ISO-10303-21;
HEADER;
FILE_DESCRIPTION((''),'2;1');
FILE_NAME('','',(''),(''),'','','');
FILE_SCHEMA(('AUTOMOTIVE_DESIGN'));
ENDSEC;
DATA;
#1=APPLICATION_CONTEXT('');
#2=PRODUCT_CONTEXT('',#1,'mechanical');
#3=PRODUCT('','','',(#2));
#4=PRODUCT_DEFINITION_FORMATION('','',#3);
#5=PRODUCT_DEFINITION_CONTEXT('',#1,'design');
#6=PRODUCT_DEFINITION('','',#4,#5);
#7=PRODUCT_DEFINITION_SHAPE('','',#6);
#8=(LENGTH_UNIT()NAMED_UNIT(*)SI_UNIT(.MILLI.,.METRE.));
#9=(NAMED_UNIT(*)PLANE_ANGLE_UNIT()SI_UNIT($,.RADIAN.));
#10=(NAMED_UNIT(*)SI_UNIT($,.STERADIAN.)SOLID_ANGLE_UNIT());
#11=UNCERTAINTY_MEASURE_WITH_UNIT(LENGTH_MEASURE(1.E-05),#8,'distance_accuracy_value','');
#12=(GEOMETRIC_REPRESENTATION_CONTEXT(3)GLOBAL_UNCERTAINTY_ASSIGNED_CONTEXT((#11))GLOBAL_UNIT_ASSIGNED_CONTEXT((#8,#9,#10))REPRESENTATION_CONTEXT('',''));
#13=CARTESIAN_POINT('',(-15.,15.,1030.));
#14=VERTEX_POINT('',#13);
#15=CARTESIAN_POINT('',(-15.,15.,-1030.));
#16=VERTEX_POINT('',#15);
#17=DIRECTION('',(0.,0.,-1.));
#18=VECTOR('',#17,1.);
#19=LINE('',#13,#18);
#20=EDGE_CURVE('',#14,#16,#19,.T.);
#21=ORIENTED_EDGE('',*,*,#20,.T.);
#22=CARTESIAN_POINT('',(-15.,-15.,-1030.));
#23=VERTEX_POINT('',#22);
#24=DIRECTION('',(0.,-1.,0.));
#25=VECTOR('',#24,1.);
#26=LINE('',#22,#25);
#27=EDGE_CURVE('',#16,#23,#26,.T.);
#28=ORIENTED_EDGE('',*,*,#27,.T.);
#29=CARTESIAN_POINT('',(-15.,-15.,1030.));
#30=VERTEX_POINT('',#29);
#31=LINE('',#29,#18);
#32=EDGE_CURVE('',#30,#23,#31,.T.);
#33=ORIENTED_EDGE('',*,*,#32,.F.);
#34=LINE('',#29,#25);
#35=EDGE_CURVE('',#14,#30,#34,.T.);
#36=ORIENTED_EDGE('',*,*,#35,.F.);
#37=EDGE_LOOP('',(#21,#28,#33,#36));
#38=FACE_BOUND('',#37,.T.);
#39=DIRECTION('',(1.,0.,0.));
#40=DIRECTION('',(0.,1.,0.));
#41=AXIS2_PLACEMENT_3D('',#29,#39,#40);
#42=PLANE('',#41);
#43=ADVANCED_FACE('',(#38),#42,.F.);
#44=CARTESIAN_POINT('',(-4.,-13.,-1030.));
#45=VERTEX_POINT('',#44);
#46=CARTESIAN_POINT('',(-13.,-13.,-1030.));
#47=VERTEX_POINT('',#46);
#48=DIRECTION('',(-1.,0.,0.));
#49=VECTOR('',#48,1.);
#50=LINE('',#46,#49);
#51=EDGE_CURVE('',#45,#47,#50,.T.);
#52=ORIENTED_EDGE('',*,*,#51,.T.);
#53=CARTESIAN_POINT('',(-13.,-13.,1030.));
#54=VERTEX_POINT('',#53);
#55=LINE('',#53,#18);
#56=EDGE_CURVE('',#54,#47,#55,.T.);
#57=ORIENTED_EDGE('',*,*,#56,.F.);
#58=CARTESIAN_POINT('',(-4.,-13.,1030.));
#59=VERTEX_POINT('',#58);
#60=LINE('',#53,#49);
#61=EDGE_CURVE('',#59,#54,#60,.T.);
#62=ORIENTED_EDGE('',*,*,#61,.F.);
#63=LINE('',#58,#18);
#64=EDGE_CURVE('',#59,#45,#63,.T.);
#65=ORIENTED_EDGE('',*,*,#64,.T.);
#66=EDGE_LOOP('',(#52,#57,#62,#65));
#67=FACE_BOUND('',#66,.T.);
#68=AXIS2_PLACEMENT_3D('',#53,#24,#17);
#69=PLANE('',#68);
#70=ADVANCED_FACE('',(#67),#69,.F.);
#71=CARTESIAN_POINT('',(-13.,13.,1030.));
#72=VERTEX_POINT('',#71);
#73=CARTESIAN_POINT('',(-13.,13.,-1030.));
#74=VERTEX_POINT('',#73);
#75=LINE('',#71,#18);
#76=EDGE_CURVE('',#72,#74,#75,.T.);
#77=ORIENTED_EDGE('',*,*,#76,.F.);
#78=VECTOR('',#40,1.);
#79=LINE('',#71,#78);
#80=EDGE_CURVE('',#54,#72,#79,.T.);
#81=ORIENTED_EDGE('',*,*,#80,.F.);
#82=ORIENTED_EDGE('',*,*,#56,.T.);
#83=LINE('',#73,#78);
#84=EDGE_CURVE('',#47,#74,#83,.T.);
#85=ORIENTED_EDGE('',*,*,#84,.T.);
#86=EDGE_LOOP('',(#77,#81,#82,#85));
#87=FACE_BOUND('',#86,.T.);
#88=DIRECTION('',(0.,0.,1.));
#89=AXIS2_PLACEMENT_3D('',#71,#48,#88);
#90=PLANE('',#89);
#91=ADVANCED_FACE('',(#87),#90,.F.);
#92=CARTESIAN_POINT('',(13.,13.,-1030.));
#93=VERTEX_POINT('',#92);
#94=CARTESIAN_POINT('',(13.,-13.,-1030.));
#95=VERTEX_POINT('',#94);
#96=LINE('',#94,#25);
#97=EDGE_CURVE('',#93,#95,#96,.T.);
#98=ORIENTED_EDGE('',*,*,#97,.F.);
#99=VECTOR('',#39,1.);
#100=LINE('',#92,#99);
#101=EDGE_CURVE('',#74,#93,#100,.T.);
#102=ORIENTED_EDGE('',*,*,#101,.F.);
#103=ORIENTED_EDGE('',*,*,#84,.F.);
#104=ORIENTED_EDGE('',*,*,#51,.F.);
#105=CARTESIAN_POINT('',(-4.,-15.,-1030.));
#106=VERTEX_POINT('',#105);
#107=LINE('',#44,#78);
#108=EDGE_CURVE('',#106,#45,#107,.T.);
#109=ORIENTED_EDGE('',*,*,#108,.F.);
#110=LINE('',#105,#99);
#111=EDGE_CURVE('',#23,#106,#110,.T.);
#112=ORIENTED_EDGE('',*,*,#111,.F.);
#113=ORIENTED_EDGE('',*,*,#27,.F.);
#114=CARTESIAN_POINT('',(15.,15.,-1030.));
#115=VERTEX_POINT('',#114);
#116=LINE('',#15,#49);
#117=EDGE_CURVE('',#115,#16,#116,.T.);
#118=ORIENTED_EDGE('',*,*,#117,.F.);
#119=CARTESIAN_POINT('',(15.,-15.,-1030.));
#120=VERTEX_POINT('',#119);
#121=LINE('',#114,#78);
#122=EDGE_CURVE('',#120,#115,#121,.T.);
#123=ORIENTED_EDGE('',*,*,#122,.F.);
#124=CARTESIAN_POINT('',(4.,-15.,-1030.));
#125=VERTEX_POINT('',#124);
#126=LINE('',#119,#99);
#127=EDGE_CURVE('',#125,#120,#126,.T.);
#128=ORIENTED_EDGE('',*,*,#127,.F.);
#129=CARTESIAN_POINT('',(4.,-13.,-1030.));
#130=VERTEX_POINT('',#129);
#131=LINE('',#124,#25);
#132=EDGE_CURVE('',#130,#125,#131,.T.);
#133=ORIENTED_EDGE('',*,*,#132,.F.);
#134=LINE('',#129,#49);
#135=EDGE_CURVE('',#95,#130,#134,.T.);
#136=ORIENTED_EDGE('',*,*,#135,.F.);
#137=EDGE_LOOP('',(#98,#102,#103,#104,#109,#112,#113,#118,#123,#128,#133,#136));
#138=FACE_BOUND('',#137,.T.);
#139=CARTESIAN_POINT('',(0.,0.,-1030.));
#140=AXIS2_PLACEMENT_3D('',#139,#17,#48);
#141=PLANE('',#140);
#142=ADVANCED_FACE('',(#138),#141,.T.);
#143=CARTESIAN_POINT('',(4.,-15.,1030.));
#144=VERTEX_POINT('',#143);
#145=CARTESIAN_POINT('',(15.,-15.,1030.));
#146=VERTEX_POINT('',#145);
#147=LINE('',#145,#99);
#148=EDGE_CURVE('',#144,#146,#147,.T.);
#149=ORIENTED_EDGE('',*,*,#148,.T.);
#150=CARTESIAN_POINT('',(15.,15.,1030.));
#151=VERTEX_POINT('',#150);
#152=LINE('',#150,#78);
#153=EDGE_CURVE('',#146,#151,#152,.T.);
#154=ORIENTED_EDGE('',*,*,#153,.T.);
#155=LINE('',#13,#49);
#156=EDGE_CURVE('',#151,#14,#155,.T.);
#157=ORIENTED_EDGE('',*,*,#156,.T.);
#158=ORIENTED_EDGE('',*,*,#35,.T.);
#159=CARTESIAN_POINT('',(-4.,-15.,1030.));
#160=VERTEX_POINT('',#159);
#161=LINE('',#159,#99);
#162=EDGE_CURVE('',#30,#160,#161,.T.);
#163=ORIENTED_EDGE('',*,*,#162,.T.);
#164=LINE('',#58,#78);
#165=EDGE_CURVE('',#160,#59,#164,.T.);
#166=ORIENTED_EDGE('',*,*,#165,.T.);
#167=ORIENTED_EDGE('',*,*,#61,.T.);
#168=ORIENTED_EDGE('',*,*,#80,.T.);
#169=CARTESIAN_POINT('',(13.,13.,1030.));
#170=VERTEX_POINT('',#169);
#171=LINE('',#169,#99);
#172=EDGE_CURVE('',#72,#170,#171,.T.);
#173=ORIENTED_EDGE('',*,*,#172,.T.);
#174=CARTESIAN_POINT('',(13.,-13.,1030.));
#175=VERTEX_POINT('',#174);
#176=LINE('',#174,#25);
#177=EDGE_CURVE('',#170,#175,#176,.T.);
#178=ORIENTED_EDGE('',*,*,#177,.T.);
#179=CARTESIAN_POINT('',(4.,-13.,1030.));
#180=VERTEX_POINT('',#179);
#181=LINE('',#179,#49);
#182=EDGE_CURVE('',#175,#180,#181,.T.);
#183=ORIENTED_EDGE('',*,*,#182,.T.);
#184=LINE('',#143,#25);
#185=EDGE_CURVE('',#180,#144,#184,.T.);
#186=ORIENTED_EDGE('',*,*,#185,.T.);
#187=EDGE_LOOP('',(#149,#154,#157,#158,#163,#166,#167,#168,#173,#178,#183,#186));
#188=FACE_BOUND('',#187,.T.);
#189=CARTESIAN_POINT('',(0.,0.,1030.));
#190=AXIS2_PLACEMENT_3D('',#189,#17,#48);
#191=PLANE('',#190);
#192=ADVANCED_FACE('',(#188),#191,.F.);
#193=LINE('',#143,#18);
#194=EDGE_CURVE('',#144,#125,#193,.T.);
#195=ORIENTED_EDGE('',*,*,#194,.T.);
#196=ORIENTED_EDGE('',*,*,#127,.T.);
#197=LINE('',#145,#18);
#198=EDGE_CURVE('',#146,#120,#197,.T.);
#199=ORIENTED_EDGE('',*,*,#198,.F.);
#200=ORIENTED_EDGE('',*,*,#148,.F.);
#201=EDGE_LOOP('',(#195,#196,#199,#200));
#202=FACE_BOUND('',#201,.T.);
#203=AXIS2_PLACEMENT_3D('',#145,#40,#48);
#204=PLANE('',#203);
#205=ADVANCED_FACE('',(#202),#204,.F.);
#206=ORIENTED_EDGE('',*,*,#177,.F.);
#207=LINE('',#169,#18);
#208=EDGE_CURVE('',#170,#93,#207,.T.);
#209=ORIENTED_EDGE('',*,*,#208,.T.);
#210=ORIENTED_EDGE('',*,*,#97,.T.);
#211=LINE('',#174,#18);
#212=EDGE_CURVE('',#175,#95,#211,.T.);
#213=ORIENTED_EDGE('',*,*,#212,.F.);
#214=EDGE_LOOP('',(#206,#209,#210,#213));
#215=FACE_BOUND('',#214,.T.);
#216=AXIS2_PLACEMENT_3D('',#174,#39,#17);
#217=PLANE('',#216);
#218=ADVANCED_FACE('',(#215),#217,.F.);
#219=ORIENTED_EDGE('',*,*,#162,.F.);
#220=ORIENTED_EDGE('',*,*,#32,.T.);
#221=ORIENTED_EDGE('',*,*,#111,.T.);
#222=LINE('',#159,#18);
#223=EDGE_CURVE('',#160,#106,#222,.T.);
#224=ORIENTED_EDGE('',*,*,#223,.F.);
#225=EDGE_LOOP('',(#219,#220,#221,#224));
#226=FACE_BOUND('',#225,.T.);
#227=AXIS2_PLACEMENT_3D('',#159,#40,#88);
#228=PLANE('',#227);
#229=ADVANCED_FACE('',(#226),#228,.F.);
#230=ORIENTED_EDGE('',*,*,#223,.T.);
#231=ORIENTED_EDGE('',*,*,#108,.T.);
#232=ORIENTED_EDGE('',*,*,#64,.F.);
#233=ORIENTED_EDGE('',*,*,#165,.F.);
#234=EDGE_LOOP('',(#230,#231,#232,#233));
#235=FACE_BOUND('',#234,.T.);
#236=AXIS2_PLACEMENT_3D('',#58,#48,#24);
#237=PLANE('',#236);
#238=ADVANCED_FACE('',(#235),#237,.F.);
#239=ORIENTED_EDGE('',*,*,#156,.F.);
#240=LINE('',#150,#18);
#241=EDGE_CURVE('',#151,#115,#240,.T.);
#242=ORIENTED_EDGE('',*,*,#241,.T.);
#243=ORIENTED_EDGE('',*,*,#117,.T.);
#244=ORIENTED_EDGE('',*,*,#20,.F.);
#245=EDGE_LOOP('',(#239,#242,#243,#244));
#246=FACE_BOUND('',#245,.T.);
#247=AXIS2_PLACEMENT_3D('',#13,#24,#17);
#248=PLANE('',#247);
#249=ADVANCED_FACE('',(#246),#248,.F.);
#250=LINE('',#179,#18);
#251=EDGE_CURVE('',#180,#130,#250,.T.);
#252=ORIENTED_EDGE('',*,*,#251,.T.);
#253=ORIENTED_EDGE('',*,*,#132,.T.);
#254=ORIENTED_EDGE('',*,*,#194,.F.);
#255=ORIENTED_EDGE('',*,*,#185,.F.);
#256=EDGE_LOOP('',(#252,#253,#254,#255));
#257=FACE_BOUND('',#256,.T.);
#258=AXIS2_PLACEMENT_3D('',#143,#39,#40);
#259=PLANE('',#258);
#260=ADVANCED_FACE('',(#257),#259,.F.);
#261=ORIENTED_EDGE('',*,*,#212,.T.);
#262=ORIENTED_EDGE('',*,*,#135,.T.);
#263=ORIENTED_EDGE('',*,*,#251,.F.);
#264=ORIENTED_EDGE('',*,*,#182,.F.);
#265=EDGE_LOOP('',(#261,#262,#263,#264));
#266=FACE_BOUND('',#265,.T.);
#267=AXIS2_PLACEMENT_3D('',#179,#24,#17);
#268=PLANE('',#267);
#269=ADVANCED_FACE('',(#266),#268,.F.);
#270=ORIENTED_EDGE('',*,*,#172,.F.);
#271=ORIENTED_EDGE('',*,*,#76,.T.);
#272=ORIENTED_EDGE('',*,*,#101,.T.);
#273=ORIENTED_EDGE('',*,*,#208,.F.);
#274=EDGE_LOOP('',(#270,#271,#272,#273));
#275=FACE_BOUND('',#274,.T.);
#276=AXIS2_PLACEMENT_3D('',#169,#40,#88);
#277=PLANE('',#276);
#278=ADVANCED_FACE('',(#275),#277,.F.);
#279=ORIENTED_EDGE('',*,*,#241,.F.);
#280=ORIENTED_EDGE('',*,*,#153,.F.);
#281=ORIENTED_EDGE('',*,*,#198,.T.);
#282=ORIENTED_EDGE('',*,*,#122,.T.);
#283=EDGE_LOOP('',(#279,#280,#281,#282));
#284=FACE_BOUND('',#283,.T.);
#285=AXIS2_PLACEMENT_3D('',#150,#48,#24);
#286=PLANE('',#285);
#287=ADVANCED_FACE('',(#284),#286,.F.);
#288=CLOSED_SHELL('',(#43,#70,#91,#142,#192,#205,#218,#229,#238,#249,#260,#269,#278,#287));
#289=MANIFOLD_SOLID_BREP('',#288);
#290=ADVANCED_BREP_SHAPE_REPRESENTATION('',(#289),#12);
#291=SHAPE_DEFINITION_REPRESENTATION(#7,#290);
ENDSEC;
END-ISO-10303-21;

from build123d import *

# Parameters (mm, degrees)
BOSS_EXTRUDE1_DEPTH = 1030


with BuildPart() as part:
    # Sketch1 → Boss-Extrude1 (new body, symmetric)
    with BuildSketch(Plane.XY):
        Polygon((-4, -13), (-4, -15), (-15, -15), (-15, 15), (15, 15), (15, -15), (4, -15), (4, -13), (13, -13), (13, 13), (-13, 13), (-13, -13), align=None)
    extrude(amount=BOSS_EXTRUDE1_DEPTH, both=True)


solid = part.part
